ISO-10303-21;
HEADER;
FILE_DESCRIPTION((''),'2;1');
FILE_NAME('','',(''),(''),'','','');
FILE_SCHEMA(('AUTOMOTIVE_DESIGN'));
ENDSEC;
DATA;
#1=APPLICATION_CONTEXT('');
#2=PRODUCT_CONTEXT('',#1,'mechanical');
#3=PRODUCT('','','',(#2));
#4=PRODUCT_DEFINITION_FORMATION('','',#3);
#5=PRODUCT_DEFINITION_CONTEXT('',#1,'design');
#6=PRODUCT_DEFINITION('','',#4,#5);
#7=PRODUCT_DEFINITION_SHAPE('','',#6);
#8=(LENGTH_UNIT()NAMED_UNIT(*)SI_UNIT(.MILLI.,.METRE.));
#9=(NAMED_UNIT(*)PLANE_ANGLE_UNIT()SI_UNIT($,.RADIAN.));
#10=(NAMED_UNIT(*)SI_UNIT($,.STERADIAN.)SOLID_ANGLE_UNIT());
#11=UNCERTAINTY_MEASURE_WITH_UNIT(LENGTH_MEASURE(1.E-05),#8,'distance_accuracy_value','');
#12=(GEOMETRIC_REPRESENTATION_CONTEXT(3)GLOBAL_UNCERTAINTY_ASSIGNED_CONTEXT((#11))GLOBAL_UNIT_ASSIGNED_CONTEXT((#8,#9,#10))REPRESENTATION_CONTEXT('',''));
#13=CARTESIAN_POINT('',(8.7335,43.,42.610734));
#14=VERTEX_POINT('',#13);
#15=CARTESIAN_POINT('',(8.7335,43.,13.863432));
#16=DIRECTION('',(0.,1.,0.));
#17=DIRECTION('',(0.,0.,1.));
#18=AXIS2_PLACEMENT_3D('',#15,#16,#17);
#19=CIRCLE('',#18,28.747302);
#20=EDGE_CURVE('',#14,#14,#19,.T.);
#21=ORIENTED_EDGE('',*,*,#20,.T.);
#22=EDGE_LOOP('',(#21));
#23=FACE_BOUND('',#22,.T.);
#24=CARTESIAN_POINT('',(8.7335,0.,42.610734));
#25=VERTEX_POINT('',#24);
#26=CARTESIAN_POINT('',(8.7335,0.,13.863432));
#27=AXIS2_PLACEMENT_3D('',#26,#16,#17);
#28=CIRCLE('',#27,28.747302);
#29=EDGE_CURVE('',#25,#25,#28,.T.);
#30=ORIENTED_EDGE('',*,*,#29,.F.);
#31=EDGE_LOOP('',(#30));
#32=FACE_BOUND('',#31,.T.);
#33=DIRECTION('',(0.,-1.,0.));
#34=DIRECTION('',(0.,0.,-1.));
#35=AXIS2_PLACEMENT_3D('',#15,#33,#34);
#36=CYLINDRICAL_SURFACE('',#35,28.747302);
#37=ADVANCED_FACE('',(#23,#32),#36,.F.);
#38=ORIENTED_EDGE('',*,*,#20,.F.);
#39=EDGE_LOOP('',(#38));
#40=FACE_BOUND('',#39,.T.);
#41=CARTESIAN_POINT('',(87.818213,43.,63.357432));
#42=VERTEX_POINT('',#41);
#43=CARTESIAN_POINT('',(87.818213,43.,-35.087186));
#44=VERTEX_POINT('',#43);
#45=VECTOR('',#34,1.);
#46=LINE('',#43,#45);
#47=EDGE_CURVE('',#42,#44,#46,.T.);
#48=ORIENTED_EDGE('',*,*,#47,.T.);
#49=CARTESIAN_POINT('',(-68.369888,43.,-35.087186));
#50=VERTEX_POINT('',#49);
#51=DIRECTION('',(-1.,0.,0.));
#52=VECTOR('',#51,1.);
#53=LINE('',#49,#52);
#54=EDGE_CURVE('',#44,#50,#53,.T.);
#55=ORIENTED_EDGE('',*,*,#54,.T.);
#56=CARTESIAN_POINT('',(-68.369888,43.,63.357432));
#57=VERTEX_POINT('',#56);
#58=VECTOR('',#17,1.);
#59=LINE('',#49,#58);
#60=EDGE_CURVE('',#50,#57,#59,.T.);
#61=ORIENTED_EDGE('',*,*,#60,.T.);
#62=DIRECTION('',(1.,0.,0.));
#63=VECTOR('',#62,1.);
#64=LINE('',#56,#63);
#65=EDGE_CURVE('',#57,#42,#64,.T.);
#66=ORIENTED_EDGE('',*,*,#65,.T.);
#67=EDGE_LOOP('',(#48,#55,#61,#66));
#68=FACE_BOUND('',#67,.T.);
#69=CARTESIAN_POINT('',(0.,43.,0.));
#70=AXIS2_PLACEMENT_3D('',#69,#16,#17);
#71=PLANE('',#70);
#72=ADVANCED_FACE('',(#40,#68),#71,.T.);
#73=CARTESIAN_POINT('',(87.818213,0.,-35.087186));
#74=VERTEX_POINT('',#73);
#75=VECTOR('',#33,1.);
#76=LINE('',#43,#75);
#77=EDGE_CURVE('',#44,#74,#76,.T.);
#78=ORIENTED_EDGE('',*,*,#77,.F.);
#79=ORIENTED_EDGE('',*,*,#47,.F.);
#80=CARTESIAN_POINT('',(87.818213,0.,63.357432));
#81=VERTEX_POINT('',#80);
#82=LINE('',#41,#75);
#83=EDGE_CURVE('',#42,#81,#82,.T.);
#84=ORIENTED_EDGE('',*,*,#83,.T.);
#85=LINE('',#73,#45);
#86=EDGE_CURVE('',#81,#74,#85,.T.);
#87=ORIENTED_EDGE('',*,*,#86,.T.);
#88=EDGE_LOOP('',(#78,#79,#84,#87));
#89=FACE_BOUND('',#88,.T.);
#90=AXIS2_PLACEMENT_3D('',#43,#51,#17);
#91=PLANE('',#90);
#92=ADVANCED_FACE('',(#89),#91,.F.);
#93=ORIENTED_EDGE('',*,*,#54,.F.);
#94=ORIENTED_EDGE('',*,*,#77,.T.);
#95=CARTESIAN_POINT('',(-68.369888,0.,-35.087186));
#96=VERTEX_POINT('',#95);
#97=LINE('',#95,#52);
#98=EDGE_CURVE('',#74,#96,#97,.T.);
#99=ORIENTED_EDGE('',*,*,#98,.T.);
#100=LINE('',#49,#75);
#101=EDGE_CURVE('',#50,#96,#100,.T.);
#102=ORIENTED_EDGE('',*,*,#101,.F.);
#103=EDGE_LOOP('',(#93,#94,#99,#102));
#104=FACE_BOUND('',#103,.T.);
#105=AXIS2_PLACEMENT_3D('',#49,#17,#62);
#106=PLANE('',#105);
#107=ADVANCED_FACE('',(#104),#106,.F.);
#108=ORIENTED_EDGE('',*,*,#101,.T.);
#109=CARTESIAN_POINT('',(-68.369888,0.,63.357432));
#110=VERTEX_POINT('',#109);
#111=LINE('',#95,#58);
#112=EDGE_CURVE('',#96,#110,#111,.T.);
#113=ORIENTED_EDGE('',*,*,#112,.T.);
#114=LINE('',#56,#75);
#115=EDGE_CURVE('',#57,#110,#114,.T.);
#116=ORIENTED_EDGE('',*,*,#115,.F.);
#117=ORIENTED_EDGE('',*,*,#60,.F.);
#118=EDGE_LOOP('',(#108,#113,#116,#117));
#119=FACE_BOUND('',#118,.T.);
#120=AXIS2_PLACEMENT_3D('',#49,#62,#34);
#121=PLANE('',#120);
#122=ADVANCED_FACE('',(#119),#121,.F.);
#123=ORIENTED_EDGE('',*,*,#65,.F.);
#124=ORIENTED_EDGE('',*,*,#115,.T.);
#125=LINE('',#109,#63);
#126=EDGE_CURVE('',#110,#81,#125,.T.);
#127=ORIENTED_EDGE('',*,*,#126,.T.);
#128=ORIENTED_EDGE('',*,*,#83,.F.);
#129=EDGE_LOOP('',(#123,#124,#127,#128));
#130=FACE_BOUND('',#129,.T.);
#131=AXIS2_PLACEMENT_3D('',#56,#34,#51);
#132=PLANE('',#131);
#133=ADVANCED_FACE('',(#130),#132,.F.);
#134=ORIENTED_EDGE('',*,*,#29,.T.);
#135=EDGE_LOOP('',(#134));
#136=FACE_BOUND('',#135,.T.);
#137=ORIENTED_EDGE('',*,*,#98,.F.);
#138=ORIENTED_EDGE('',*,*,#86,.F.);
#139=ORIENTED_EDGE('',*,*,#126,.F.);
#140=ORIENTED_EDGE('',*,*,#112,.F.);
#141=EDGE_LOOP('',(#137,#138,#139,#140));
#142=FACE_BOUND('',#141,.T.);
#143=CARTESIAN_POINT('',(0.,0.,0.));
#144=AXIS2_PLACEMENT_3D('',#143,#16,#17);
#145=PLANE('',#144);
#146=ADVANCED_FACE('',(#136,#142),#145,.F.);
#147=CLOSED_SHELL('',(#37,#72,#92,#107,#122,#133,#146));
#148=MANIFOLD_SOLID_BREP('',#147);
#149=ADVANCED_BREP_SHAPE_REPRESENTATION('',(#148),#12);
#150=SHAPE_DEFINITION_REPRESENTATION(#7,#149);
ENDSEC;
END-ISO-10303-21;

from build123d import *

# Parameters (mm, degrees)
SKETCH1_W           = 156.188100841
SKETCH1_H           = 98.444618116
SKETCH1_R           = 28.747301562
BOSS_EXTRUDE2_DEPTH = 43


with BuildPart() as part:
    # Sketch1 → Boss-Extrude2 (new body)
    with BuildSketch(Plane(origin=(0, 0, 0), x_dir=(1, 0, 0), z_dir=(0, 1, 0))):
        with Locations((9.72416289, -14.135123375)):
            Rectangle(SKETCH1_W, SKETCH1_H)
        with Locations(Location((8.733499551, -13.863432066, 0), (0, 0, 270))):
            Circle(SKETCH1_R, mode=Mode.SUBTRACT)
    extrude(amount=BOSS_EXTRUDE2_DEPTH)


solid = part.part
